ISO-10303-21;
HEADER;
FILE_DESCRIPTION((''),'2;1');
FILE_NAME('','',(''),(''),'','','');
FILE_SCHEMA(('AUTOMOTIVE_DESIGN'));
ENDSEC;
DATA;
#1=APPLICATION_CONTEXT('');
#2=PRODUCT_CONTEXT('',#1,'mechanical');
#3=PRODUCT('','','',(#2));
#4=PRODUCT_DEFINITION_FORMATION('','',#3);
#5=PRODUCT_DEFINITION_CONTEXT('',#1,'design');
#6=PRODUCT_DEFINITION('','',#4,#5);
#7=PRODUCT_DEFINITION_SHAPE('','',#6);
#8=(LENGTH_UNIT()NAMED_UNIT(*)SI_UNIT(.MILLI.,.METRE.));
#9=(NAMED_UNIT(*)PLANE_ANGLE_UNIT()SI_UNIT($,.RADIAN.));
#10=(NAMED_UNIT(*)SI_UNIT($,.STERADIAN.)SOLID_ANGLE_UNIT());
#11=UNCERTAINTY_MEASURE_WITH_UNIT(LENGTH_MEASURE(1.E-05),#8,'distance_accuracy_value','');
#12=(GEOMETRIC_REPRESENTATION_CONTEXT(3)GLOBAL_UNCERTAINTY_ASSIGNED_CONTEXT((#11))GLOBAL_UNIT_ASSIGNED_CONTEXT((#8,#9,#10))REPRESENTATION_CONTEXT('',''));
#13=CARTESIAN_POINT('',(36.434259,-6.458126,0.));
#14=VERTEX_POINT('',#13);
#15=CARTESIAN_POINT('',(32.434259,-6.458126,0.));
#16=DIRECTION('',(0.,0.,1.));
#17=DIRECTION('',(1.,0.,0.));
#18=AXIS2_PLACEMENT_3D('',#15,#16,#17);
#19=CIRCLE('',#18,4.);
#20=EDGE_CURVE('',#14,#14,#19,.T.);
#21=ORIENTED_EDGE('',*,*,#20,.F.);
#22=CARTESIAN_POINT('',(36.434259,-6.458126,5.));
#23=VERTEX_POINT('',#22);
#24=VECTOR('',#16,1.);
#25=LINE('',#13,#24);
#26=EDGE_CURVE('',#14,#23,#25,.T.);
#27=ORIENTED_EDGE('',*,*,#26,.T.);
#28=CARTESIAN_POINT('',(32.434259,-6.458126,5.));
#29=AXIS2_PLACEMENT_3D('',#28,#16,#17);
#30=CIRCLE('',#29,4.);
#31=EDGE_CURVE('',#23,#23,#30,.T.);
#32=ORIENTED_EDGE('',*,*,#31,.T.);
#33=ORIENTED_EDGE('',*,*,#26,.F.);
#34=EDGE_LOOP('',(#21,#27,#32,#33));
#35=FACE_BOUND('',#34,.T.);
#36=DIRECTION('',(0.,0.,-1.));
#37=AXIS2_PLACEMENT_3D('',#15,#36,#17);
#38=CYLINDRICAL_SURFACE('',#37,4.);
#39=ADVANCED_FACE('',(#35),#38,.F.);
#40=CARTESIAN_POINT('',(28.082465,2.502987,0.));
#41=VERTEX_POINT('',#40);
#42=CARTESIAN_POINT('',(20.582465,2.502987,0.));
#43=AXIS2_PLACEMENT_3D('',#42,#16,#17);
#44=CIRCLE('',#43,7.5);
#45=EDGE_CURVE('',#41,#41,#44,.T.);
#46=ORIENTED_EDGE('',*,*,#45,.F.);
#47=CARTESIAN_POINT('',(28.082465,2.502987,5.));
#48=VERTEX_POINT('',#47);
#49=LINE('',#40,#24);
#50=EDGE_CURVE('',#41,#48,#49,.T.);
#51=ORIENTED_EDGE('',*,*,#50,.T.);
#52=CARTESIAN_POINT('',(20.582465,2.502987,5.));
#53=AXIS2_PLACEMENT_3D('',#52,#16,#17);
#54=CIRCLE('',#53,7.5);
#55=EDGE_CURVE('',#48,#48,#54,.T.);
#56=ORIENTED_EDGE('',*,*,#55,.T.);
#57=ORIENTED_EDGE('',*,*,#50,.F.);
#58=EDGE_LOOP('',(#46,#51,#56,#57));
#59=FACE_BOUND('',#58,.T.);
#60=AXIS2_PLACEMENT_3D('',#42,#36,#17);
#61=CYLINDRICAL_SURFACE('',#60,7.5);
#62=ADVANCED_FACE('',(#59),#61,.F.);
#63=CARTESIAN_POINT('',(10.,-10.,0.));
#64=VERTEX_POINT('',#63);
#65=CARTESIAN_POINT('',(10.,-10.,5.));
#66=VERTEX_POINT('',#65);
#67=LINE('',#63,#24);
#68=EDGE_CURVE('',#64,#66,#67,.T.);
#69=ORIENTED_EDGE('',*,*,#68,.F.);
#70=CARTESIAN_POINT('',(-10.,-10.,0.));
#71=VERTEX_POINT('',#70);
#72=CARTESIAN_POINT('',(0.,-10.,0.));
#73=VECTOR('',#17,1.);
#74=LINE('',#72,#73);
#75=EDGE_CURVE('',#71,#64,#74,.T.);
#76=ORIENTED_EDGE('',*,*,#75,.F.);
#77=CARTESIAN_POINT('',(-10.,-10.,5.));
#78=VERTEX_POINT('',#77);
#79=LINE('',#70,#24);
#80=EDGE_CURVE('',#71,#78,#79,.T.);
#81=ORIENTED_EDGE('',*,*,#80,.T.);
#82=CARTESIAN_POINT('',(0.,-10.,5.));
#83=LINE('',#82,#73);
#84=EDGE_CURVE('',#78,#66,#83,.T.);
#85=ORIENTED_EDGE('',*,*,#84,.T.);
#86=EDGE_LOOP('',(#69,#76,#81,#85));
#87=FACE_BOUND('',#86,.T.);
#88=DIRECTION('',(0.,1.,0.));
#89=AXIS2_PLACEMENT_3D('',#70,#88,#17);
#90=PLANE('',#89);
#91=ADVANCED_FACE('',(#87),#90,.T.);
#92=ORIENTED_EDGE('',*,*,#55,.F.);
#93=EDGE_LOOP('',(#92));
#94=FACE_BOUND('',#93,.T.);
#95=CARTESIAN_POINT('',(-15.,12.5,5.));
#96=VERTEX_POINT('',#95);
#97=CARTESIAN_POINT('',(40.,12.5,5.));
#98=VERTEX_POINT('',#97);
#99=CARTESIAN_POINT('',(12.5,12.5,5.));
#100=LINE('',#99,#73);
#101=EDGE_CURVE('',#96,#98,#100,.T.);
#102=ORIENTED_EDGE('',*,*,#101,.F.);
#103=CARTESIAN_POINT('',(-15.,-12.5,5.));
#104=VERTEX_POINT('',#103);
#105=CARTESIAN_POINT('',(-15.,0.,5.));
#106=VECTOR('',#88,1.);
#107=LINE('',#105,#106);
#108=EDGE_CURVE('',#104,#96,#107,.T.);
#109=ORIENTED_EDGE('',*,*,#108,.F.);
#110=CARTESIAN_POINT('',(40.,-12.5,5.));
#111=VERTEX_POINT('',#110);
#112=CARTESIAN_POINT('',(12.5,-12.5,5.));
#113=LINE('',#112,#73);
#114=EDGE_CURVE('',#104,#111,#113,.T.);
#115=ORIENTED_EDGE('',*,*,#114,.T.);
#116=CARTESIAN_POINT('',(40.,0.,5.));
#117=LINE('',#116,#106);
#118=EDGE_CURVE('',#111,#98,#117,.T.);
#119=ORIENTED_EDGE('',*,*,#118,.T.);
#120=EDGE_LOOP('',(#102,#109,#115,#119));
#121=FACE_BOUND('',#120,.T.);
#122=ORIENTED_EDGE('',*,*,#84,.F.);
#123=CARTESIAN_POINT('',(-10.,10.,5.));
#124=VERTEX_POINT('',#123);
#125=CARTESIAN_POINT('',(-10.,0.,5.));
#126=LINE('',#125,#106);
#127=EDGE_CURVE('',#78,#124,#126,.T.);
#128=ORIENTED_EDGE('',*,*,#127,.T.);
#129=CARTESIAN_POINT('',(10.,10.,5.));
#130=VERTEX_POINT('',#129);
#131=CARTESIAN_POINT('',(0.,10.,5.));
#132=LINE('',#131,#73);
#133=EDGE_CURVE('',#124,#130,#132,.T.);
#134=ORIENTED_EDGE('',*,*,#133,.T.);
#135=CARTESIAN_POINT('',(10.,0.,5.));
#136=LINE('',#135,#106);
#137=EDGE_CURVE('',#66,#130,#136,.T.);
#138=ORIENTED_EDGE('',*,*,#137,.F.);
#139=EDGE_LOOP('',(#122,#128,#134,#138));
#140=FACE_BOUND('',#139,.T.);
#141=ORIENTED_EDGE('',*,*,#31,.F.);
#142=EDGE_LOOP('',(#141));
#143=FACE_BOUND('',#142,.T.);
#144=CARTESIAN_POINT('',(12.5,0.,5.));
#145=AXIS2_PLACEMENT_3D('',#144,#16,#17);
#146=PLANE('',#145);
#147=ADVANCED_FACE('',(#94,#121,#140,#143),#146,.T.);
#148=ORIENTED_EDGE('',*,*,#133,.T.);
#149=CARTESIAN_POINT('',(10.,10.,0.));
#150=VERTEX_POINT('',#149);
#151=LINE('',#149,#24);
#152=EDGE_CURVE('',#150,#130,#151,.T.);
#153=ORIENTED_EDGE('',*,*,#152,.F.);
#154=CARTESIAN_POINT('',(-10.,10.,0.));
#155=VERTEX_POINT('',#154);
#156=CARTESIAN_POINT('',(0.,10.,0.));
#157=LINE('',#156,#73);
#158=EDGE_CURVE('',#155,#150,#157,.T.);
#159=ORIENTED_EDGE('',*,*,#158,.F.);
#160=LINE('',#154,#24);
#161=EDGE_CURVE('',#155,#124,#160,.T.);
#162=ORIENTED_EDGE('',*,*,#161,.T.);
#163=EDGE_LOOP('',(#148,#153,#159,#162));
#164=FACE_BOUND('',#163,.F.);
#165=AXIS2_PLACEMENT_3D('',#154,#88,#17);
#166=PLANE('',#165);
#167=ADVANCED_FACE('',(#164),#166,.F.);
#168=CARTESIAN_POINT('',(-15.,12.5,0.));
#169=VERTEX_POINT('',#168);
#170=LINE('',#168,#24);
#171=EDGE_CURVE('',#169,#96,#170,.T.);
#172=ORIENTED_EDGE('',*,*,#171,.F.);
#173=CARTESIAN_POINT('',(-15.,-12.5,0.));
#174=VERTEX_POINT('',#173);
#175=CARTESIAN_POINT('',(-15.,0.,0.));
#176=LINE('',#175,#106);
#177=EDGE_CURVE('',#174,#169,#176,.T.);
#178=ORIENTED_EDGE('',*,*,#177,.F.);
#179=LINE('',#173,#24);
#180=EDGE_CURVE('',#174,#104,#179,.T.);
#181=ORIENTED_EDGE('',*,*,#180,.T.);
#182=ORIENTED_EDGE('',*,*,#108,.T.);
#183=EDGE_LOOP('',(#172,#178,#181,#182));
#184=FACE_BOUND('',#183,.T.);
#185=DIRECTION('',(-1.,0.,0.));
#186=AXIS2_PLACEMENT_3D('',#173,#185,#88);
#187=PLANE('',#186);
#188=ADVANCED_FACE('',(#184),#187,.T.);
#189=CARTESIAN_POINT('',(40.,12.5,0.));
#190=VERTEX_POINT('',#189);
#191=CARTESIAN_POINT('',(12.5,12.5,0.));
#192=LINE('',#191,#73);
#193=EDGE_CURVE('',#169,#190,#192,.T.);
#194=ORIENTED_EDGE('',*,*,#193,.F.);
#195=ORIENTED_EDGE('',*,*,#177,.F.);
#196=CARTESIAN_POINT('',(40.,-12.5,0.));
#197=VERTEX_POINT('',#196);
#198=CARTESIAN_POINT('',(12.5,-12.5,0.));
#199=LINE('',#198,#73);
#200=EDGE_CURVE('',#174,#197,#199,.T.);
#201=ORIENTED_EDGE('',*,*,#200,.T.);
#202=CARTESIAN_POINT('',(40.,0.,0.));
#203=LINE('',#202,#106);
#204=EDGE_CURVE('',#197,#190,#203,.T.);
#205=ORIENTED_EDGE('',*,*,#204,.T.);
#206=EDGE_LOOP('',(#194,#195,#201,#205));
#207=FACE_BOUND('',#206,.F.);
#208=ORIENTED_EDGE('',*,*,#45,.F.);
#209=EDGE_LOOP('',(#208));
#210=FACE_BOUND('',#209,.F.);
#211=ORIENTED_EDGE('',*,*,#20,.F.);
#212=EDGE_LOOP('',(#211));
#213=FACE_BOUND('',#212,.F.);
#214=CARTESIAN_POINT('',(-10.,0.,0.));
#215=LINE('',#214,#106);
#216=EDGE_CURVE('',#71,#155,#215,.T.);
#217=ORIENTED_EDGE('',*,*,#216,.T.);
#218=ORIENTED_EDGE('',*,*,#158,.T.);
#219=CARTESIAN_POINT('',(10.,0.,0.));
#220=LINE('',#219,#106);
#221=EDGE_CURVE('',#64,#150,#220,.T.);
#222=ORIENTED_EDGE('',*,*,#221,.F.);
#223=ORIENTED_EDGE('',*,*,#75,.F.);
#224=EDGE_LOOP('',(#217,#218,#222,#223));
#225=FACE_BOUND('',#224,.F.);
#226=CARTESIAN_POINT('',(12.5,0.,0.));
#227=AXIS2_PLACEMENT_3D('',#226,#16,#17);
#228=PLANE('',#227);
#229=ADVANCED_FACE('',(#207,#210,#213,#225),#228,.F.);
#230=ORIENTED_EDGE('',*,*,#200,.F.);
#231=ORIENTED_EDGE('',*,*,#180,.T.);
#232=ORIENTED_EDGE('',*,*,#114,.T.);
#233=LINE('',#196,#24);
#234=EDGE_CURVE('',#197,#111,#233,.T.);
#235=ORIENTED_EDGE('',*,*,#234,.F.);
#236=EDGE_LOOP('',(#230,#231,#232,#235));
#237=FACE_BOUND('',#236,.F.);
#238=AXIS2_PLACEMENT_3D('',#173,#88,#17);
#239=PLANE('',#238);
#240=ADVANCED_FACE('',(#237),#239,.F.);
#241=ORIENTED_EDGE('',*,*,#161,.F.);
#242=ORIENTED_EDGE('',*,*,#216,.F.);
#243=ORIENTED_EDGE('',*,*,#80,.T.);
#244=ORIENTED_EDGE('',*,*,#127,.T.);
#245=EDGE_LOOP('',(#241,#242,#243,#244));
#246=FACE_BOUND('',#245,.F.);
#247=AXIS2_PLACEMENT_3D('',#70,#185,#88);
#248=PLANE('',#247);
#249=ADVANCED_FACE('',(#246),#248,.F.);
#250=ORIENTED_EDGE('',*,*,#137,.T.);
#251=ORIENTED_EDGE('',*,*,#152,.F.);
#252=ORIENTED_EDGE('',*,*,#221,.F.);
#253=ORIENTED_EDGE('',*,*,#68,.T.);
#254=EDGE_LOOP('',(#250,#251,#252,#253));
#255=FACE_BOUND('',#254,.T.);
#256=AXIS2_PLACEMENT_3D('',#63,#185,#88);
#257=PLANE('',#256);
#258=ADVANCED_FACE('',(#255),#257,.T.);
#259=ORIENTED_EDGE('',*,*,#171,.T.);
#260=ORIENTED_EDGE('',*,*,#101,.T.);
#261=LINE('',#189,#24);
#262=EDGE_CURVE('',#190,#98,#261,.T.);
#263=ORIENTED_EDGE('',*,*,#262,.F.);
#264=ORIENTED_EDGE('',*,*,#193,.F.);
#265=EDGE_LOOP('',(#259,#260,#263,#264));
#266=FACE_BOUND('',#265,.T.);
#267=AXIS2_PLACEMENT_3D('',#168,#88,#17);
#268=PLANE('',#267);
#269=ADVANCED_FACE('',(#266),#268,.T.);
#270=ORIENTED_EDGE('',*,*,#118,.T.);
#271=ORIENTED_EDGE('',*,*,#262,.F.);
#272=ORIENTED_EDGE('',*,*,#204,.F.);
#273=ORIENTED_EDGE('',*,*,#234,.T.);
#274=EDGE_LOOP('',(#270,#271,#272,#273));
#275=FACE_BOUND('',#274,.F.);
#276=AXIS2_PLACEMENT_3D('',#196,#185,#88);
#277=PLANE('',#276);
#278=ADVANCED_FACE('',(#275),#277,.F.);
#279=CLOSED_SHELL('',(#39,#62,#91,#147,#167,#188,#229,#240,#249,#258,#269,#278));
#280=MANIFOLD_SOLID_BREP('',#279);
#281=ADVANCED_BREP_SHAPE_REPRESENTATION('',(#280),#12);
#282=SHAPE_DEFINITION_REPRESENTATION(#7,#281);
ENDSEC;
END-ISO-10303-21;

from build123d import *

# Parameters (mm, degrees)
F0_W     = 55
F0_H     = 25
F0_R     = 4
F0_W_2   = 20
F0_H_2   = 20
F0_R_2   = 7.5
F1_DEPTH = 5


with BuildPart() as f1:
    # F0 (on Top) → F1 (new body)
    with BuildSketch(Plane.XY):
        with Locations((12.5, 0)):
            Rectangle(F0_W, F0_H)
        with Locations((32.434259, -6.458126)):
            Circle(F0_R, mode=Mode.SUBTRACT)
        Rectangle(F0_W_2, F0_H_2, mode=Mode.SUBTRACT)
        with Locations((20.582465, 2.502987)):
            Circle(F0_R_2, mode=Mode.SUBTRACT)
    extrude(amount=F1_DEPTH)


solid = f1.part
